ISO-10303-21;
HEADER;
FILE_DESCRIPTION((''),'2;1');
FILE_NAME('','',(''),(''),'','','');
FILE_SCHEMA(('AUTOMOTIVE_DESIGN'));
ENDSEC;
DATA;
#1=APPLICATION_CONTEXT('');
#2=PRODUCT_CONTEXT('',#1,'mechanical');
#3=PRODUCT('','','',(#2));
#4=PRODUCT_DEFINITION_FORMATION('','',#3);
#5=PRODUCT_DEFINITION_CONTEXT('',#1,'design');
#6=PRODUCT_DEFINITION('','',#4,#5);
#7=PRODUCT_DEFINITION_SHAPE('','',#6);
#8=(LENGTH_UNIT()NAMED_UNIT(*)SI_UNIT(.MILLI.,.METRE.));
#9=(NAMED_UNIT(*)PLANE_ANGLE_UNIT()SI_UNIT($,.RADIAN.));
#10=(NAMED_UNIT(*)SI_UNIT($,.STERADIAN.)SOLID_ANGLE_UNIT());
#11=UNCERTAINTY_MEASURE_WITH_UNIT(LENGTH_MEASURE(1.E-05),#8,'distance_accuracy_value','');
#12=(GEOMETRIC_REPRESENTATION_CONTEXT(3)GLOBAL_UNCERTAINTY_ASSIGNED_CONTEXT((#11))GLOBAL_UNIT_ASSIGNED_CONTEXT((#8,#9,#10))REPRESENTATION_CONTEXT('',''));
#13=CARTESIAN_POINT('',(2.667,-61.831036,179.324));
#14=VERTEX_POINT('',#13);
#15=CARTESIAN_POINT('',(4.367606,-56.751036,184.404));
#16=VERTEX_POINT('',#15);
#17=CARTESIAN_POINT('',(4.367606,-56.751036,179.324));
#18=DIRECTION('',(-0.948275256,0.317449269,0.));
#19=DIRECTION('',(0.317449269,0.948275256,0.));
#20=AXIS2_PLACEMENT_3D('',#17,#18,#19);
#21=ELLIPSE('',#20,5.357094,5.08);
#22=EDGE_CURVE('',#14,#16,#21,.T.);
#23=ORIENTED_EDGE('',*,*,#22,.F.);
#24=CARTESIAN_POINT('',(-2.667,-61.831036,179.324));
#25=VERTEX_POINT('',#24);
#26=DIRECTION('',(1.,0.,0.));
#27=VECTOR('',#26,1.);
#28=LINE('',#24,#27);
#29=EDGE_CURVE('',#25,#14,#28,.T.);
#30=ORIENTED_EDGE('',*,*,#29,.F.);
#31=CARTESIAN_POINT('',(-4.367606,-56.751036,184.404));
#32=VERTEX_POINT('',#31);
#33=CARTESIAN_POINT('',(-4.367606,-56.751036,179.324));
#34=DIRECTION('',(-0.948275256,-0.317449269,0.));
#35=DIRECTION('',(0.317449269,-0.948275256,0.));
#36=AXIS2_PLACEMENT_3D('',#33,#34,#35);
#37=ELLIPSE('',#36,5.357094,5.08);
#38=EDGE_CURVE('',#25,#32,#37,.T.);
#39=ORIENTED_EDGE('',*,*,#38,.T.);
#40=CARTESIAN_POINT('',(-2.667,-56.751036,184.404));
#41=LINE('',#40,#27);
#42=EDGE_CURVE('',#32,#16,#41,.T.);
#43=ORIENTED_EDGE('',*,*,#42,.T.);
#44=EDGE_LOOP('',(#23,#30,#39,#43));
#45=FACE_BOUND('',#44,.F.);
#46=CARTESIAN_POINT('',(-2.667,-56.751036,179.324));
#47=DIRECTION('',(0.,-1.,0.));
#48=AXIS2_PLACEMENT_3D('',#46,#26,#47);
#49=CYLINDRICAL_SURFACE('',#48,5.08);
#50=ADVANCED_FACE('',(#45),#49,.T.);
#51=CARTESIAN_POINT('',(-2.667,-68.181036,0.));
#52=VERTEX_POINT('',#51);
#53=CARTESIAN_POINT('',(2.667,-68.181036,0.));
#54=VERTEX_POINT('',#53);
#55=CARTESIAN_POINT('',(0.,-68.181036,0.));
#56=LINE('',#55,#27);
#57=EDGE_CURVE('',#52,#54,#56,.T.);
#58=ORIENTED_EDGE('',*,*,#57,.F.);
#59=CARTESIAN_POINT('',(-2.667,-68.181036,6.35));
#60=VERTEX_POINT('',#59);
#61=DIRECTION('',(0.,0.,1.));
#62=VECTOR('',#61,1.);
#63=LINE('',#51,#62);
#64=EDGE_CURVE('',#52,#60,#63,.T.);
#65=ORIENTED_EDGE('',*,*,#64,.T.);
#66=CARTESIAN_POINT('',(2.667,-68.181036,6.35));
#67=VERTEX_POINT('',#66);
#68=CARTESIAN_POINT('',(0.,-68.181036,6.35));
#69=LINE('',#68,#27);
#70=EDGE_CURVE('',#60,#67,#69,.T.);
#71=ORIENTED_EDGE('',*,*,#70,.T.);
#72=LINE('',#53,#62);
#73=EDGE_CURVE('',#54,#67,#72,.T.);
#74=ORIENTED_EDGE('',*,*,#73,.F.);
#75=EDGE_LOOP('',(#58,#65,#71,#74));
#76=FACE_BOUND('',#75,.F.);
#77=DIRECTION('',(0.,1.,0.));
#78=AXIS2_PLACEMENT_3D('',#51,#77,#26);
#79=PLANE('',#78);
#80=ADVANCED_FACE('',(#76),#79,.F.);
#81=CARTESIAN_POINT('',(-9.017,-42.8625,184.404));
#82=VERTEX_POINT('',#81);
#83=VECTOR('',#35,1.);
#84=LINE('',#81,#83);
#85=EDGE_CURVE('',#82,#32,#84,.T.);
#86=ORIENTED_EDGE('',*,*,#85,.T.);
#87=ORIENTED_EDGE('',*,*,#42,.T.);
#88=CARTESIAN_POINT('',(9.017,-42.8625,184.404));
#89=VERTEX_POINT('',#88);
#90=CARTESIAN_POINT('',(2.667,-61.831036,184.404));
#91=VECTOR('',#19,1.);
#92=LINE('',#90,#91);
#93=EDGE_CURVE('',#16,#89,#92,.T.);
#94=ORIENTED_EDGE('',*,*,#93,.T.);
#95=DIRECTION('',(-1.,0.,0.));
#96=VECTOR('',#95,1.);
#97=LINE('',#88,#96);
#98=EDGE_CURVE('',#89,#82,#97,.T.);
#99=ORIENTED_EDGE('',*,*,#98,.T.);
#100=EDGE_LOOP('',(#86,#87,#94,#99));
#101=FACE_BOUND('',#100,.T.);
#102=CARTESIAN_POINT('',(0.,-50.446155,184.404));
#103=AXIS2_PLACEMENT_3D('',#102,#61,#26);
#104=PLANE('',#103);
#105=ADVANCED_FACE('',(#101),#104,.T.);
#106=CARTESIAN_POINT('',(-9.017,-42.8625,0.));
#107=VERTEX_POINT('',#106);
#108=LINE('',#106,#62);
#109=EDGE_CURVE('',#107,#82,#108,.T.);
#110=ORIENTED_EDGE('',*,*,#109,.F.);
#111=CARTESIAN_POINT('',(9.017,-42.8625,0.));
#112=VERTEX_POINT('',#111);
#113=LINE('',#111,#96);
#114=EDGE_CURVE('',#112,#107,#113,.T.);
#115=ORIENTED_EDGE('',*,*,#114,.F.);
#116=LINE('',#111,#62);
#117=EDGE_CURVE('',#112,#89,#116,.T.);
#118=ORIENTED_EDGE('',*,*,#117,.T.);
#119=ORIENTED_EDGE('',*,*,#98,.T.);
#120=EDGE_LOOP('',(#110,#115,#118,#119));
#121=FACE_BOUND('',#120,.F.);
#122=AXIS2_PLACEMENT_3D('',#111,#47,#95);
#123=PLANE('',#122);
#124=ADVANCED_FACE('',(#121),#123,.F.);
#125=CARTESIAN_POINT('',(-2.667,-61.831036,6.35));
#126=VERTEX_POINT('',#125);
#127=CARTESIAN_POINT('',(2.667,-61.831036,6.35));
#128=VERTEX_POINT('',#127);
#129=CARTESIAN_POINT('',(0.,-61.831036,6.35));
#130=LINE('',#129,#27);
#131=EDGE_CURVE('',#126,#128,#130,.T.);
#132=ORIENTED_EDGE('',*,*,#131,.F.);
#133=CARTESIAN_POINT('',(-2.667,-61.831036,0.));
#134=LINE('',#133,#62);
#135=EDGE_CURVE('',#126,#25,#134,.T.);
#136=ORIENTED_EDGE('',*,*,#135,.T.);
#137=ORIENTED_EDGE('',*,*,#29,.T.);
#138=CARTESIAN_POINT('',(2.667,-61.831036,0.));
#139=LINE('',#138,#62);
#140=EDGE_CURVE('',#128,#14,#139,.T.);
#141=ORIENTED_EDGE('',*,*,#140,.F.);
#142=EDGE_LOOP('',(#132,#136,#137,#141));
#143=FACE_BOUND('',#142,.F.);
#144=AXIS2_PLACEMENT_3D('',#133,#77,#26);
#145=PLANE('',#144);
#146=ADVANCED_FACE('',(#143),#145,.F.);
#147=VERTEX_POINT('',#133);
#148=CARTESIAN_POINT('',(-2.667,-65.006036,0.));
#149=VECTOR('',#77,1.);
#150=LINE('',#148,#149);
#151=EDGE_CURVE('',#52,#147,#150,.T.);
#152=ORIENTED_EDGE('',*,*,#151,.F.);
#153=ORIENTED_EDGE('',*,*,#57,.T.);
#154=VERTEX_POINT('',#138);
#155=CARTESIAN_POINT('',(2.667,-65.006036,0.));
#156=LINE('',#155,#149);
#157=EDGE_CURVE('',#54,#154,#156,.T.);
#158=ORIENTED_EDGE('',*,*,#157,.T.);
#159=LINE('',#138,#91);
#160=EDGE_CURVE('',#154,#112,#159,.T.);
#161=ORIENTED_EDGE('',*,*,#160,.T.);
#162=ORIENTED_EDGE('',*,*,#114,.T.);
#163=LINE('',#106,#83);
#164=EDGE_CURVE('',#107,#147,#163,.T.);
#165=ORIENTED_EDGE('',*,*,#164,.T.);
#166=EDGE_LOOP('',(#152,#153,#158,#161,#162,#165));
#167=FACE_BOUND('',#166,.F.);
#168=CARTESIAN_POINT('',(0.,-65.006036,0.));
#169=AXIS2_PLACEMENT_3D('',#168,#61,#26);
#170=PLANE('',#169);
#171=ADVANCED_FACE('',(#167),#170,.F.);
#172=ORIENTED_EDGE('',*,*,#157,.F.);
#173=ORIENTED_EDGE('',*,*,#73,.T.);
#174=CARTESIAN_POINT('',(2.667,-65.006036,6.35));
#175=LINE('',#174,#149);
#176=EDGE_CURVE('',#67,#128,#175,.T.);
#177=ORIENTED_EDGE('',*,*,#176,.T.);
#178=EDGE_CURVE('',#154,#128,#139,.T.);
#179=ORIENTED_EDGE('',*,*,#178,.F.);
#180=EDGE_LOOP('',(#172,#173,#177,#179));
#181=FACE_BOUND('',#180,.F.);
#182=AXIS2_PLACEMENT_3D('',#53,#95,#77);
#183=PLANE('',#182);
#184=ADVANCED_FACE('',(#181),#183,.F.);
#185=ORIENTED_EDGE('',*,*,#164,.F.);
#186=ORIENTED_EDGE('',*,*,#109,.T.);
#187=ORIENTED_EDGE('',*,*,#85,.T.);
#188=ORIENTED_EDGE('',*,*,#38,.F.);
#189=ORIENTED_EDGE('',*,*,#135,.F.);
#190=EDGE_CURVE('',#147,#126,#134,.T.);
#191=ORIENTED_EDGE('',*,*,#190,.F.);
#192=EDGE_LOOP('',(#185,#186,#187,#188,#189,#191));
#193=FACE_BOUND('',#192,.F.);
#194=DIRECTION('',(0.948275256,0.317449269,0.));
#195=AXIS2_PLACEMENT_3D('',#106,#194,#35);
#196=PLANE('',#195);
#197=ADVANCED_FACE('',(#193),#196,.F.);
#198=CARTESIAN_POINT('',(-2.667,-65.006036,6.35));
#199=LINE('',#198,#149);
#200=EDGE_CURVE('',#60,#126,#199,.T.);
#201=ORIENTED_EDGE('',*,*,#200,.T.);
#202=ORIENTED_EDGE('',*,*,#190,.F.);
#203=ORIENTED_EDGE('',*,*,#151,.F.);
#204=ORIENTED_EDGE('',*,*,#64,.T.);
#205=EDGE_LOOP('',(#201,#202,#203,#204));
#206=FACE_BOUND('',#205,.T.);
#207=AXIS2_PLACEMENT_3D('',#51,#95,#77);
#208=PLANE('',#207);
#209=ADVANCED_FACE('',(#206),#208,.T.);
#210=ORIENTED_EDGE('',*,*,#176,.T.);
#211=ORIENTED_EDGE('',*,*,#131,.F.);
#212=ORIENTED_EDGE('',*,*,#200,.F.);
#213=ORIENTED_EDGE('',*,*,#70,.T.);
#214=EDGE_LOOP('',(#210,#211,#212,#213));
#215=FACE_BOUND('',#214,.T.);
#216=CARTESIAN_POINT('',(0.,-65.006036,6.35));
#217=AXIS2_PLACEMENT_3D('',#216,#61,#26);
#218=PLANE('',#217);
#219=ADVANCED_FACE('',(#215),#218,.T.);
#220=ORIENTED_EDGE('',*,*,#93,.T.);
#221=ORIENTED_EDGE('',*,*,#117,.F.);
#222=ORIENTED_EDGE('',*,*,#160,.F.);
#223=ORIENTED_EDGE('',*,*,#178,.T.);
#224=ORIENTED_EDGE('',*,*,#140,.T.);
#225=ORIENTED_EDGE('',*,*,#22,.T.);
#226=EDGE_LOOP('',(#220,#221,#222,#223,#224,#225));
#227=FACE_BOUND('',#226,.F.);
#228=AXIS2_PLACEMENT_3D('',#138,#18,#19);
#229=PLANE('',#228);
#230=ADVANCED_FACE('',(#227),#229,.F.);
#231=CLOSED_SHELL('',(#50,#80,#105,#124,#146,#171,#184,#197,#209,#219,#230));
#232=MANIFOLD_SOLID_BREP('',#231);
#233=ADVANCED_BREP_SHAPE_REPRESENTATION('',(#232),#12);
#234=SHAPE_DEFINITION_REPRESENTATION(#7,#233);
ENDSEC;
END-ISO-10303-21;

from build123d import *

# Parameters (mm, degrees)
F1_DEPTH = 184.404
F0_W     = 5.334
F0_H     = 6.35
F2_DEPTH = 6.35
F3_R     = 5.08


with BuildPart() as f1:
    # F0 (on Top) → F1 (new body)
    with BuildSketch(Plane.XY):
        Polygon((9.017, -42.8625), (-9.017, -42.8625), (-2.667, -61.831036), (2.667, -61.831036), align=None)
    extrude(amount=F1_DEPTH)

    # F0 (on Top) → F2 (join)
    with BuildSketch(Plane.XY):
        with Locations((0, -65.006036)):
            Rectangle(F0_W, F0_H)
    extrude(amount=F2_DEPTH)

    # F3
    f3_edges = [f1.edges().sort_by_distance(p)[0] for p in [
        (0, -61.831036, 184.404),
    ]]
    fillet(f3_edges, radius=F3_R)


solid = f1.part
